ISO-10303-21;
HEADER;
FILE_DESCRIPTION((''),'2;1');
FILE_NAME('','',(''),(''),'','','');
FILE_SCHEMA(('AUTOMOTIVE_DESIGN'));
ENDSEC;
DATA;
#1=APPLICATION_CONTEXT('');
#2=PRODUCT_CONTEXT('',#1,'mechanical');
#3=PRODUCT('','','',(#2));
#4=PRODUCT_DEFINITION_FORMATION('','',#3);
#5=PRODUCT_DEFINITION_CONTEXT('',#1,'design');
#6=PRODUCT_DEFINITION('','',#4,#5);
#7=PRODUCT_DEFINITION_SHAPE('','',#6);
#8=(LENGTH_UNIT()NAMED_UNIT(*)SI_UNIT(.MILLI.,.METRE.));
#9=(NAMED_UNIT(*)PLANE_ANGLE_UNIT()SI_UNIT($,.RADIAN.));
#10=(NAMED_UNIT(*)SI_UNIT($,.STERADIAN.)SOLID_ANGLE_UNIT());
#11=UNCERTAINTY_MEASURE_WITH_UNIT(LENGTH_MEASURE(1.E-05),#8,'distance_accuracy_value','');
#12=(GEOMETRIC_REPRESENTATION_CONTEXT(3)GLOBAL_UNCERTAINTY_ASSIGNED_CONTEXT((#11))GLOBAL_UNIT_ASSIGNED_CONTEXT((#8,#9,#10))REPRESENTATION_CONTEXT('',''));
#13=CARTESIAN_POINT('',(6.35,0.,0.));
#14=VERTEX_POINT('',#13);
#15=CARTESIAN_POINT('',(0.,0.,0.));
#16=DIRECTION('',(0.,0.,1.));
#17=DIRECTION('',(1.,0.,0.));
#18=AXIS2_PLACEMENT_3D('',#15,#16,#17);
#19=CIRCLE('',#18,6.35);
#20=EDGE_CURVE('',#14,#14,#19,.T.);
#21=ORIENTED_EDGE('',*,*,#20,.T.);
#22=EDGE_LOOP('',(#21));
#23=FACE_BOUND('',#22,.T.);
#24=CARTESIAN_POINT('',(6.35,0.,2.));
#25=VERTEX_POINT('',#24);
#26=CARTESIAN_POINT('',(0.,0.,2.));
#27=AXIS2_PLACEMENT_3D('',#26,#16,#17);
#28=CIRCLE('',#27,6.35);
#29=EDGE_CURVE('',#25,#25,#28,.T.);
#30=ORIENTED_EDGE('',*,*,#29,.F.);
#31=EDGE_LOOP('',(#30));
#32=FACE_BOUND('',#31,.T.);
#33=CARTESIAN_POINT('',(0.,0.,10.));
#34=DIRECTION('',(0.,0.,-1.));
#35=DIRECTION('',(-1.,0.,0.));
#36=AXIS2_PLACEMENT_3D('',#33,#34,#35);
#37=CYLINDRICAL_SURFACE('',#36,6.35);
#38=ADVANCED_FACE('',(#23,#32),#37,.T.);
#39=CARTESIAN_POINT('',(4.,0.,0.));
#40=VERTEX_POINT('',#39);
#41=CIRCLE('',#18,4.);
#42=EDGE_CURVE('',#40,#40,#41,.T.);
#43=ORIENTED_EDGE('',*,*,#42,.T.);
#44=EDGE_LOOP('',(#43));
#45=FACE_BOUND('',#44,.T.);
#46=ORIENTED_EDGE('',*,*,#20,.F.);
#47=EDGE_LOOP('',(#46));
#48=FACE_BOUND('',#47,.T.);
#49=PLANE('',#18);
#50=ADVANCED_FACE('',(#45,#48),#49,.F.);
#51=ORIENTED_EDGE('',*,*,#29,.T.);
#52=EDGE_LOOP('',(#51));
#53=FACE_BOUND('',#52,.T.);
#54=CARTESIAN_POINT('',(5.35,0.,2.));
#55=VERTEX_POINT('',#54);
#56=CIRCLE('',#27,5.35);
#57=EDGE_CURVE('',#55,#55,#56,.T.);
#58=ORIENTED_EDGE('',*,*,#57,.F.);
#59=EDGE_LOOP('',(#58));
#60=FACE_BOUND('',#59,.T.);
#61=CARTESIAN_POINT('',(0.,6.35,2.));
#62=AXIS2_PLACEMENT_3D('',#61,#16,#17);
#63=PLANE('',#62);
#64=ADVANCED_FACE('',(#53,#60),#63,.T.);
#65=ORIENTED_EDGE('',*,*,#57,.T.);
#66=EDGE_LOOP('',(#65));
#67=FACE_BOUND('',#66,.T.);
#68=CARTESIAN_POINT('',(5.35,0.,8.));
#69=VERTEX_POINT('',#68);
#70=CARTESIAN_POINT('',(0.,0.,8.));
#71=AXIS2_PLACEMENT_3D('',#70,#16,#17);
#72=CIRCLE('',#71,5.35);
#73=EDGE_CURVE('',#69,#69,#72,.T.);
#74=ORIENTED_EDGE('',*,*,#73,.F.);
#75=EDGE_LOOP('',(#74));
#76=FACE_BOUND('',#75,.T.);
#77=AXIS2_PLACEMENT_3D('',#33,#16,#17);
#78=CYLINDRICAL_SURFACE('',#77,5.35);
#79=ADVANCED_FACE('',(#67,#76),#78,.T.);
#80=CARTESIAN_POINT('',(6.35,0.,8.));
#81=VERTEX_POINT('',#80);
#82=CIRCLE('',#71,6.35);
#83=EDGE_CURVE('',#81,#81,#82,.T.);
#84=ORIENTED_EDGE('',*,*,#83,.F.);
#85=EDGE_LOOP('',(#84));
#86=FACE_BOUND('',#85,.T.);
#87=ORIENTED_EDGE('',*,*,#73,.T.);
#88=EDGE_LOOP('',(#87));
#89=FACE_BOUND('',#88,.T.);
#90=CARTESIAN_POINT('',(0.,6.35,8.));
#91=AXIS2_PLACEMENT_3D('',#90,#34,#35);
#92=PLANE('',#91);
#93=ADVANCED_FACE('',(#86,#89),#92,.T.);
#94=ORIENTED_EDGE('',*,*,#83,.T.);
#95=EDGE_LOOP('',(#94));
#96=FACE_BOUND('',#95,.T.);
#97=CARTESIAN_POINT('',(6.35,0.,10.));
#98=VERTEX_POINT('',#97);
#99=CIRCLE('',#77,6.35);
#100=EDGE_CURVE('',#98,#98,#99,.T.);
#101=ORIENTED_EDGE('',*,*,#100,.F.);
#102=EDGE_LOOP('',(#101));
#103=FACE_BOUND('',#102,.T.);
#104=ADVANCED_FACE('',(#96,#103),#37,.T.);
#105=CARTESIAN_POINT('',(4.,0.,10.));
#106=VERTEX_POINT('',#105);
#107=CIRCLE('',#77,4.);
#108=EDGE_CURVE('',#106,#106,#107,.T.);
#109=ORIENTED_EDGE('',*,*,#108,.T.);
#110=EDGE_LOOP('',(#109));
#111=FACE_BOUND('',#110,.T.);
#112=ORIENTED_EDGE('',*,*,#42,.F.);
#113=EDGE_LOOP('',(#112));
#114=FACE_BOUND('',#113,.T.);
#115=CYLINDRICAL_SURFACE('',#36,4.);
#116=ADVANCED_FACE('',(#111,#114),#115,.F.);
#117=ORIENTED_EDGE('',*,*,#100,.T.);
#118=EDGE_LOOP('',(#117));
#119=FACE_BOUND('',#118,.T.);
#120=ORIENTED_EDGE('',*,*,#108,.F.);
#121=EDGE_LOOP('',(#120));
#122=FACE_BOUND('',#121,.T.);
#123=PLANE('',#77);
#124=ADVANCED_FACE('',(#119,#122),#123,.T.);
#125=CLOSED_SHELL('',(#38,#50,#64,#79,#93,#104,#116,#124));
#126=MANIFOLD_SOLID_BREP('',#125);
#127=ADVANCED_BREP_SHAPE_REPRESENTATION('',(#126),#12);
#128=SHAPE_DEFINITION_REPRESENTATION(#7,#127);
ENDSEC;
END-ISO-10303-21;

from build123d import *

# Parameters (mm, degrees)
CROQUIS1_R              = 6.35
CROQUIS1_R_2            = 4
SALIENTE_EXTRUIR1_DEPTH = 10
CROQUIS2_W              = 6
CROQUIS2_H              = 1


with BuildPart() as part:
    # Croquis1 → Saliente-Extruir1 (new body)
    with BuildSketch(Plane.XY):
        Circle(CROQUIS1_R)
        Circle(CROQUIS1_R_2, mode=Mode.SUBTRACT)
    extrude(amount=SALIENTE_EXTRUIR1_DEPTH)

    # Croquis2 → Cortar-Revolución1 (revolve, cut)
    with BuildSketch(Plane(origin=(0, 0, 0), x_dir=(0, 0, -1), z_dir=(1, 0, 0))):
        with Locations((-5, 5.85)):
            Rectangle(CROQUIS2_W, CROQUIS2_H)
    revolve(axis=Axis((0, 0, 10), (0, 0, -1)), mode=Mode.SUBTRACT)


solid = part.part
